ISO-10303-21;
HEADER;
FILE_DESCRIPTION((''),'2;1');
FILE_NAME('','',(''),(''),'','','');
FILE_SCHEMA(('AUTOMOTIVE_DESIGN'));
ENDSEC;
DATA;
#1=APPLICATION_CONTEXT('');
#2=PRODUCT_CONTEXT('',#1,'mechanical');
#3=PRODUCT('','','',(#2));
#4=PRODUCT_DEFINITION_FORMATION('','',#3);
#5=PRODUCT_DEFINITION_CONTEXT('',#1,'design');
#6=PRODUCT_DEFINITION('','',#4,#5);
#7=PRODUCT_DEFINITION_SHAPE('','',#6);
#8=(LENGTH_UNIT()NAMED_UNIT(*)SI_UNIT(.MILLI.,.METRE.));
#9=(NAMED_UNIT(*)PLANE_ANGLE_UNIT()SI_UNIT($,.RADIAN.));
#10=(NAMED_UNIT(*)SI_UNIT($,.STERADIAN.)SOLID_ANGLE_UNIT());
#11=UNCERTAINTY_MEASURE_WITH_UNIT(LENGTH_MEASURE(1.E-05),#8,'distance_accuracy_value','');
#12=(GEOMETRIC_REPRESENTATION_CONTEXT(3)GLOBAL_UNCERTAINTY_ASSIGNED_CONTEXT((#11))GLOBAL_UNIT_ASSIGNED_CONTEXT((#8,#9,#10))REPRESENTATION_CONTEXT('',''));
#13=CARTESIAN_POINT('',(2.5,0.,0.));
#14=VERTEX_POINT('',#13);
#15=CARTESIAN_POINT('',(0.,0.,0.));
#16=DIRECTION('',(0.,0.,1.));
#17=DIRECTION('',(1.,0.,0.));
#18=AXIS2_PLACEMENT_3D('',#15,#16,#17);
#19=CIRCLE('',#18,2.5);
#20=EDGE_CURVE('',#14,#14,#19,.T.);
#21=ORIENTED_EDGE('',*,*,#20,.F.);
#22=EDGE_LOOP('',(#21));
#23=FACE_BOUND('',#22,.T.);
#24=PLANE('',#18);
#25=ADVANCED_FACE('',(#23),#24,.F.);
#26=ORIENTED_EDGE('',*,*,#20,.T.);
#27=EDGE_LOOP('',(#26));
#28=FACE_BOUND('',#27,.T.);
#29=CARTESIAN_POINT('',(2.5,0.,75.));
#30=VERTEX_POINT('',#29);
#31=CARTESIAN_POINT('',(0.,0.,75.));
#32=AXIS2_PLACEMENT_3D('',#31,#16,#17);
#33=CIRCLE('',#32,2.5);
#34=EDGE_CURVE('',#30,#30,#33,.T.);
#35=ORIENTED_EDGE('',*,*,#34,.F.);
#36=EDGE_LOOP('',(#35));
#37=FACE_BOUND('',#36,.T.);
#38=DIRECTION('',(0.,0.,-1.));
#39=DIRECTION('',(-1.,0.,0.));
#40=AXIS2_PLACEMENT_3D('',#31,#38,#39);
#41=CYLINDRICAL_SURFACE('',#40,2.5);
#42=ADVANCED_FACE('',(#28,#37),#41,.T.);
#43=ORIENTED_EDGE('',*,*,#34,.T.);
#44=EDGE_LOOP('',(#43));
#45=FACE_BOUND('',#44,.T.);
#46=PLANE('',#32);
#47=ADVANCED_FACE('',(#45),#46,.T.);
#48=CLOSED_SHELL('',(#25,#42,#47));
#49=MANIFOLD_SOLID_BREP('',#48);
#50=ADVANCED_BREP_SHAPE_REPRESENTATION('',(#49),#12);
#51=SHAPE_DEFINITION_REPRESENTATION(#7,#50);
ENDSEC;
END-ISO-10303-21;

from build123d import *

# Parameters (mm, degrees)
SKETCH1_R           = 2.5
BOSS_EXTRUDE1_DEPTH = 75


with BuildPart() as part:
    # Sketch1 → Boss-Extrude1 (new body)
    with BuildSketch(Plane.XY):
        Circle(SKETCH1_R)
    extrude(amount=BOSS_EXTRUDE1_DEPTH)


solid = part.part
